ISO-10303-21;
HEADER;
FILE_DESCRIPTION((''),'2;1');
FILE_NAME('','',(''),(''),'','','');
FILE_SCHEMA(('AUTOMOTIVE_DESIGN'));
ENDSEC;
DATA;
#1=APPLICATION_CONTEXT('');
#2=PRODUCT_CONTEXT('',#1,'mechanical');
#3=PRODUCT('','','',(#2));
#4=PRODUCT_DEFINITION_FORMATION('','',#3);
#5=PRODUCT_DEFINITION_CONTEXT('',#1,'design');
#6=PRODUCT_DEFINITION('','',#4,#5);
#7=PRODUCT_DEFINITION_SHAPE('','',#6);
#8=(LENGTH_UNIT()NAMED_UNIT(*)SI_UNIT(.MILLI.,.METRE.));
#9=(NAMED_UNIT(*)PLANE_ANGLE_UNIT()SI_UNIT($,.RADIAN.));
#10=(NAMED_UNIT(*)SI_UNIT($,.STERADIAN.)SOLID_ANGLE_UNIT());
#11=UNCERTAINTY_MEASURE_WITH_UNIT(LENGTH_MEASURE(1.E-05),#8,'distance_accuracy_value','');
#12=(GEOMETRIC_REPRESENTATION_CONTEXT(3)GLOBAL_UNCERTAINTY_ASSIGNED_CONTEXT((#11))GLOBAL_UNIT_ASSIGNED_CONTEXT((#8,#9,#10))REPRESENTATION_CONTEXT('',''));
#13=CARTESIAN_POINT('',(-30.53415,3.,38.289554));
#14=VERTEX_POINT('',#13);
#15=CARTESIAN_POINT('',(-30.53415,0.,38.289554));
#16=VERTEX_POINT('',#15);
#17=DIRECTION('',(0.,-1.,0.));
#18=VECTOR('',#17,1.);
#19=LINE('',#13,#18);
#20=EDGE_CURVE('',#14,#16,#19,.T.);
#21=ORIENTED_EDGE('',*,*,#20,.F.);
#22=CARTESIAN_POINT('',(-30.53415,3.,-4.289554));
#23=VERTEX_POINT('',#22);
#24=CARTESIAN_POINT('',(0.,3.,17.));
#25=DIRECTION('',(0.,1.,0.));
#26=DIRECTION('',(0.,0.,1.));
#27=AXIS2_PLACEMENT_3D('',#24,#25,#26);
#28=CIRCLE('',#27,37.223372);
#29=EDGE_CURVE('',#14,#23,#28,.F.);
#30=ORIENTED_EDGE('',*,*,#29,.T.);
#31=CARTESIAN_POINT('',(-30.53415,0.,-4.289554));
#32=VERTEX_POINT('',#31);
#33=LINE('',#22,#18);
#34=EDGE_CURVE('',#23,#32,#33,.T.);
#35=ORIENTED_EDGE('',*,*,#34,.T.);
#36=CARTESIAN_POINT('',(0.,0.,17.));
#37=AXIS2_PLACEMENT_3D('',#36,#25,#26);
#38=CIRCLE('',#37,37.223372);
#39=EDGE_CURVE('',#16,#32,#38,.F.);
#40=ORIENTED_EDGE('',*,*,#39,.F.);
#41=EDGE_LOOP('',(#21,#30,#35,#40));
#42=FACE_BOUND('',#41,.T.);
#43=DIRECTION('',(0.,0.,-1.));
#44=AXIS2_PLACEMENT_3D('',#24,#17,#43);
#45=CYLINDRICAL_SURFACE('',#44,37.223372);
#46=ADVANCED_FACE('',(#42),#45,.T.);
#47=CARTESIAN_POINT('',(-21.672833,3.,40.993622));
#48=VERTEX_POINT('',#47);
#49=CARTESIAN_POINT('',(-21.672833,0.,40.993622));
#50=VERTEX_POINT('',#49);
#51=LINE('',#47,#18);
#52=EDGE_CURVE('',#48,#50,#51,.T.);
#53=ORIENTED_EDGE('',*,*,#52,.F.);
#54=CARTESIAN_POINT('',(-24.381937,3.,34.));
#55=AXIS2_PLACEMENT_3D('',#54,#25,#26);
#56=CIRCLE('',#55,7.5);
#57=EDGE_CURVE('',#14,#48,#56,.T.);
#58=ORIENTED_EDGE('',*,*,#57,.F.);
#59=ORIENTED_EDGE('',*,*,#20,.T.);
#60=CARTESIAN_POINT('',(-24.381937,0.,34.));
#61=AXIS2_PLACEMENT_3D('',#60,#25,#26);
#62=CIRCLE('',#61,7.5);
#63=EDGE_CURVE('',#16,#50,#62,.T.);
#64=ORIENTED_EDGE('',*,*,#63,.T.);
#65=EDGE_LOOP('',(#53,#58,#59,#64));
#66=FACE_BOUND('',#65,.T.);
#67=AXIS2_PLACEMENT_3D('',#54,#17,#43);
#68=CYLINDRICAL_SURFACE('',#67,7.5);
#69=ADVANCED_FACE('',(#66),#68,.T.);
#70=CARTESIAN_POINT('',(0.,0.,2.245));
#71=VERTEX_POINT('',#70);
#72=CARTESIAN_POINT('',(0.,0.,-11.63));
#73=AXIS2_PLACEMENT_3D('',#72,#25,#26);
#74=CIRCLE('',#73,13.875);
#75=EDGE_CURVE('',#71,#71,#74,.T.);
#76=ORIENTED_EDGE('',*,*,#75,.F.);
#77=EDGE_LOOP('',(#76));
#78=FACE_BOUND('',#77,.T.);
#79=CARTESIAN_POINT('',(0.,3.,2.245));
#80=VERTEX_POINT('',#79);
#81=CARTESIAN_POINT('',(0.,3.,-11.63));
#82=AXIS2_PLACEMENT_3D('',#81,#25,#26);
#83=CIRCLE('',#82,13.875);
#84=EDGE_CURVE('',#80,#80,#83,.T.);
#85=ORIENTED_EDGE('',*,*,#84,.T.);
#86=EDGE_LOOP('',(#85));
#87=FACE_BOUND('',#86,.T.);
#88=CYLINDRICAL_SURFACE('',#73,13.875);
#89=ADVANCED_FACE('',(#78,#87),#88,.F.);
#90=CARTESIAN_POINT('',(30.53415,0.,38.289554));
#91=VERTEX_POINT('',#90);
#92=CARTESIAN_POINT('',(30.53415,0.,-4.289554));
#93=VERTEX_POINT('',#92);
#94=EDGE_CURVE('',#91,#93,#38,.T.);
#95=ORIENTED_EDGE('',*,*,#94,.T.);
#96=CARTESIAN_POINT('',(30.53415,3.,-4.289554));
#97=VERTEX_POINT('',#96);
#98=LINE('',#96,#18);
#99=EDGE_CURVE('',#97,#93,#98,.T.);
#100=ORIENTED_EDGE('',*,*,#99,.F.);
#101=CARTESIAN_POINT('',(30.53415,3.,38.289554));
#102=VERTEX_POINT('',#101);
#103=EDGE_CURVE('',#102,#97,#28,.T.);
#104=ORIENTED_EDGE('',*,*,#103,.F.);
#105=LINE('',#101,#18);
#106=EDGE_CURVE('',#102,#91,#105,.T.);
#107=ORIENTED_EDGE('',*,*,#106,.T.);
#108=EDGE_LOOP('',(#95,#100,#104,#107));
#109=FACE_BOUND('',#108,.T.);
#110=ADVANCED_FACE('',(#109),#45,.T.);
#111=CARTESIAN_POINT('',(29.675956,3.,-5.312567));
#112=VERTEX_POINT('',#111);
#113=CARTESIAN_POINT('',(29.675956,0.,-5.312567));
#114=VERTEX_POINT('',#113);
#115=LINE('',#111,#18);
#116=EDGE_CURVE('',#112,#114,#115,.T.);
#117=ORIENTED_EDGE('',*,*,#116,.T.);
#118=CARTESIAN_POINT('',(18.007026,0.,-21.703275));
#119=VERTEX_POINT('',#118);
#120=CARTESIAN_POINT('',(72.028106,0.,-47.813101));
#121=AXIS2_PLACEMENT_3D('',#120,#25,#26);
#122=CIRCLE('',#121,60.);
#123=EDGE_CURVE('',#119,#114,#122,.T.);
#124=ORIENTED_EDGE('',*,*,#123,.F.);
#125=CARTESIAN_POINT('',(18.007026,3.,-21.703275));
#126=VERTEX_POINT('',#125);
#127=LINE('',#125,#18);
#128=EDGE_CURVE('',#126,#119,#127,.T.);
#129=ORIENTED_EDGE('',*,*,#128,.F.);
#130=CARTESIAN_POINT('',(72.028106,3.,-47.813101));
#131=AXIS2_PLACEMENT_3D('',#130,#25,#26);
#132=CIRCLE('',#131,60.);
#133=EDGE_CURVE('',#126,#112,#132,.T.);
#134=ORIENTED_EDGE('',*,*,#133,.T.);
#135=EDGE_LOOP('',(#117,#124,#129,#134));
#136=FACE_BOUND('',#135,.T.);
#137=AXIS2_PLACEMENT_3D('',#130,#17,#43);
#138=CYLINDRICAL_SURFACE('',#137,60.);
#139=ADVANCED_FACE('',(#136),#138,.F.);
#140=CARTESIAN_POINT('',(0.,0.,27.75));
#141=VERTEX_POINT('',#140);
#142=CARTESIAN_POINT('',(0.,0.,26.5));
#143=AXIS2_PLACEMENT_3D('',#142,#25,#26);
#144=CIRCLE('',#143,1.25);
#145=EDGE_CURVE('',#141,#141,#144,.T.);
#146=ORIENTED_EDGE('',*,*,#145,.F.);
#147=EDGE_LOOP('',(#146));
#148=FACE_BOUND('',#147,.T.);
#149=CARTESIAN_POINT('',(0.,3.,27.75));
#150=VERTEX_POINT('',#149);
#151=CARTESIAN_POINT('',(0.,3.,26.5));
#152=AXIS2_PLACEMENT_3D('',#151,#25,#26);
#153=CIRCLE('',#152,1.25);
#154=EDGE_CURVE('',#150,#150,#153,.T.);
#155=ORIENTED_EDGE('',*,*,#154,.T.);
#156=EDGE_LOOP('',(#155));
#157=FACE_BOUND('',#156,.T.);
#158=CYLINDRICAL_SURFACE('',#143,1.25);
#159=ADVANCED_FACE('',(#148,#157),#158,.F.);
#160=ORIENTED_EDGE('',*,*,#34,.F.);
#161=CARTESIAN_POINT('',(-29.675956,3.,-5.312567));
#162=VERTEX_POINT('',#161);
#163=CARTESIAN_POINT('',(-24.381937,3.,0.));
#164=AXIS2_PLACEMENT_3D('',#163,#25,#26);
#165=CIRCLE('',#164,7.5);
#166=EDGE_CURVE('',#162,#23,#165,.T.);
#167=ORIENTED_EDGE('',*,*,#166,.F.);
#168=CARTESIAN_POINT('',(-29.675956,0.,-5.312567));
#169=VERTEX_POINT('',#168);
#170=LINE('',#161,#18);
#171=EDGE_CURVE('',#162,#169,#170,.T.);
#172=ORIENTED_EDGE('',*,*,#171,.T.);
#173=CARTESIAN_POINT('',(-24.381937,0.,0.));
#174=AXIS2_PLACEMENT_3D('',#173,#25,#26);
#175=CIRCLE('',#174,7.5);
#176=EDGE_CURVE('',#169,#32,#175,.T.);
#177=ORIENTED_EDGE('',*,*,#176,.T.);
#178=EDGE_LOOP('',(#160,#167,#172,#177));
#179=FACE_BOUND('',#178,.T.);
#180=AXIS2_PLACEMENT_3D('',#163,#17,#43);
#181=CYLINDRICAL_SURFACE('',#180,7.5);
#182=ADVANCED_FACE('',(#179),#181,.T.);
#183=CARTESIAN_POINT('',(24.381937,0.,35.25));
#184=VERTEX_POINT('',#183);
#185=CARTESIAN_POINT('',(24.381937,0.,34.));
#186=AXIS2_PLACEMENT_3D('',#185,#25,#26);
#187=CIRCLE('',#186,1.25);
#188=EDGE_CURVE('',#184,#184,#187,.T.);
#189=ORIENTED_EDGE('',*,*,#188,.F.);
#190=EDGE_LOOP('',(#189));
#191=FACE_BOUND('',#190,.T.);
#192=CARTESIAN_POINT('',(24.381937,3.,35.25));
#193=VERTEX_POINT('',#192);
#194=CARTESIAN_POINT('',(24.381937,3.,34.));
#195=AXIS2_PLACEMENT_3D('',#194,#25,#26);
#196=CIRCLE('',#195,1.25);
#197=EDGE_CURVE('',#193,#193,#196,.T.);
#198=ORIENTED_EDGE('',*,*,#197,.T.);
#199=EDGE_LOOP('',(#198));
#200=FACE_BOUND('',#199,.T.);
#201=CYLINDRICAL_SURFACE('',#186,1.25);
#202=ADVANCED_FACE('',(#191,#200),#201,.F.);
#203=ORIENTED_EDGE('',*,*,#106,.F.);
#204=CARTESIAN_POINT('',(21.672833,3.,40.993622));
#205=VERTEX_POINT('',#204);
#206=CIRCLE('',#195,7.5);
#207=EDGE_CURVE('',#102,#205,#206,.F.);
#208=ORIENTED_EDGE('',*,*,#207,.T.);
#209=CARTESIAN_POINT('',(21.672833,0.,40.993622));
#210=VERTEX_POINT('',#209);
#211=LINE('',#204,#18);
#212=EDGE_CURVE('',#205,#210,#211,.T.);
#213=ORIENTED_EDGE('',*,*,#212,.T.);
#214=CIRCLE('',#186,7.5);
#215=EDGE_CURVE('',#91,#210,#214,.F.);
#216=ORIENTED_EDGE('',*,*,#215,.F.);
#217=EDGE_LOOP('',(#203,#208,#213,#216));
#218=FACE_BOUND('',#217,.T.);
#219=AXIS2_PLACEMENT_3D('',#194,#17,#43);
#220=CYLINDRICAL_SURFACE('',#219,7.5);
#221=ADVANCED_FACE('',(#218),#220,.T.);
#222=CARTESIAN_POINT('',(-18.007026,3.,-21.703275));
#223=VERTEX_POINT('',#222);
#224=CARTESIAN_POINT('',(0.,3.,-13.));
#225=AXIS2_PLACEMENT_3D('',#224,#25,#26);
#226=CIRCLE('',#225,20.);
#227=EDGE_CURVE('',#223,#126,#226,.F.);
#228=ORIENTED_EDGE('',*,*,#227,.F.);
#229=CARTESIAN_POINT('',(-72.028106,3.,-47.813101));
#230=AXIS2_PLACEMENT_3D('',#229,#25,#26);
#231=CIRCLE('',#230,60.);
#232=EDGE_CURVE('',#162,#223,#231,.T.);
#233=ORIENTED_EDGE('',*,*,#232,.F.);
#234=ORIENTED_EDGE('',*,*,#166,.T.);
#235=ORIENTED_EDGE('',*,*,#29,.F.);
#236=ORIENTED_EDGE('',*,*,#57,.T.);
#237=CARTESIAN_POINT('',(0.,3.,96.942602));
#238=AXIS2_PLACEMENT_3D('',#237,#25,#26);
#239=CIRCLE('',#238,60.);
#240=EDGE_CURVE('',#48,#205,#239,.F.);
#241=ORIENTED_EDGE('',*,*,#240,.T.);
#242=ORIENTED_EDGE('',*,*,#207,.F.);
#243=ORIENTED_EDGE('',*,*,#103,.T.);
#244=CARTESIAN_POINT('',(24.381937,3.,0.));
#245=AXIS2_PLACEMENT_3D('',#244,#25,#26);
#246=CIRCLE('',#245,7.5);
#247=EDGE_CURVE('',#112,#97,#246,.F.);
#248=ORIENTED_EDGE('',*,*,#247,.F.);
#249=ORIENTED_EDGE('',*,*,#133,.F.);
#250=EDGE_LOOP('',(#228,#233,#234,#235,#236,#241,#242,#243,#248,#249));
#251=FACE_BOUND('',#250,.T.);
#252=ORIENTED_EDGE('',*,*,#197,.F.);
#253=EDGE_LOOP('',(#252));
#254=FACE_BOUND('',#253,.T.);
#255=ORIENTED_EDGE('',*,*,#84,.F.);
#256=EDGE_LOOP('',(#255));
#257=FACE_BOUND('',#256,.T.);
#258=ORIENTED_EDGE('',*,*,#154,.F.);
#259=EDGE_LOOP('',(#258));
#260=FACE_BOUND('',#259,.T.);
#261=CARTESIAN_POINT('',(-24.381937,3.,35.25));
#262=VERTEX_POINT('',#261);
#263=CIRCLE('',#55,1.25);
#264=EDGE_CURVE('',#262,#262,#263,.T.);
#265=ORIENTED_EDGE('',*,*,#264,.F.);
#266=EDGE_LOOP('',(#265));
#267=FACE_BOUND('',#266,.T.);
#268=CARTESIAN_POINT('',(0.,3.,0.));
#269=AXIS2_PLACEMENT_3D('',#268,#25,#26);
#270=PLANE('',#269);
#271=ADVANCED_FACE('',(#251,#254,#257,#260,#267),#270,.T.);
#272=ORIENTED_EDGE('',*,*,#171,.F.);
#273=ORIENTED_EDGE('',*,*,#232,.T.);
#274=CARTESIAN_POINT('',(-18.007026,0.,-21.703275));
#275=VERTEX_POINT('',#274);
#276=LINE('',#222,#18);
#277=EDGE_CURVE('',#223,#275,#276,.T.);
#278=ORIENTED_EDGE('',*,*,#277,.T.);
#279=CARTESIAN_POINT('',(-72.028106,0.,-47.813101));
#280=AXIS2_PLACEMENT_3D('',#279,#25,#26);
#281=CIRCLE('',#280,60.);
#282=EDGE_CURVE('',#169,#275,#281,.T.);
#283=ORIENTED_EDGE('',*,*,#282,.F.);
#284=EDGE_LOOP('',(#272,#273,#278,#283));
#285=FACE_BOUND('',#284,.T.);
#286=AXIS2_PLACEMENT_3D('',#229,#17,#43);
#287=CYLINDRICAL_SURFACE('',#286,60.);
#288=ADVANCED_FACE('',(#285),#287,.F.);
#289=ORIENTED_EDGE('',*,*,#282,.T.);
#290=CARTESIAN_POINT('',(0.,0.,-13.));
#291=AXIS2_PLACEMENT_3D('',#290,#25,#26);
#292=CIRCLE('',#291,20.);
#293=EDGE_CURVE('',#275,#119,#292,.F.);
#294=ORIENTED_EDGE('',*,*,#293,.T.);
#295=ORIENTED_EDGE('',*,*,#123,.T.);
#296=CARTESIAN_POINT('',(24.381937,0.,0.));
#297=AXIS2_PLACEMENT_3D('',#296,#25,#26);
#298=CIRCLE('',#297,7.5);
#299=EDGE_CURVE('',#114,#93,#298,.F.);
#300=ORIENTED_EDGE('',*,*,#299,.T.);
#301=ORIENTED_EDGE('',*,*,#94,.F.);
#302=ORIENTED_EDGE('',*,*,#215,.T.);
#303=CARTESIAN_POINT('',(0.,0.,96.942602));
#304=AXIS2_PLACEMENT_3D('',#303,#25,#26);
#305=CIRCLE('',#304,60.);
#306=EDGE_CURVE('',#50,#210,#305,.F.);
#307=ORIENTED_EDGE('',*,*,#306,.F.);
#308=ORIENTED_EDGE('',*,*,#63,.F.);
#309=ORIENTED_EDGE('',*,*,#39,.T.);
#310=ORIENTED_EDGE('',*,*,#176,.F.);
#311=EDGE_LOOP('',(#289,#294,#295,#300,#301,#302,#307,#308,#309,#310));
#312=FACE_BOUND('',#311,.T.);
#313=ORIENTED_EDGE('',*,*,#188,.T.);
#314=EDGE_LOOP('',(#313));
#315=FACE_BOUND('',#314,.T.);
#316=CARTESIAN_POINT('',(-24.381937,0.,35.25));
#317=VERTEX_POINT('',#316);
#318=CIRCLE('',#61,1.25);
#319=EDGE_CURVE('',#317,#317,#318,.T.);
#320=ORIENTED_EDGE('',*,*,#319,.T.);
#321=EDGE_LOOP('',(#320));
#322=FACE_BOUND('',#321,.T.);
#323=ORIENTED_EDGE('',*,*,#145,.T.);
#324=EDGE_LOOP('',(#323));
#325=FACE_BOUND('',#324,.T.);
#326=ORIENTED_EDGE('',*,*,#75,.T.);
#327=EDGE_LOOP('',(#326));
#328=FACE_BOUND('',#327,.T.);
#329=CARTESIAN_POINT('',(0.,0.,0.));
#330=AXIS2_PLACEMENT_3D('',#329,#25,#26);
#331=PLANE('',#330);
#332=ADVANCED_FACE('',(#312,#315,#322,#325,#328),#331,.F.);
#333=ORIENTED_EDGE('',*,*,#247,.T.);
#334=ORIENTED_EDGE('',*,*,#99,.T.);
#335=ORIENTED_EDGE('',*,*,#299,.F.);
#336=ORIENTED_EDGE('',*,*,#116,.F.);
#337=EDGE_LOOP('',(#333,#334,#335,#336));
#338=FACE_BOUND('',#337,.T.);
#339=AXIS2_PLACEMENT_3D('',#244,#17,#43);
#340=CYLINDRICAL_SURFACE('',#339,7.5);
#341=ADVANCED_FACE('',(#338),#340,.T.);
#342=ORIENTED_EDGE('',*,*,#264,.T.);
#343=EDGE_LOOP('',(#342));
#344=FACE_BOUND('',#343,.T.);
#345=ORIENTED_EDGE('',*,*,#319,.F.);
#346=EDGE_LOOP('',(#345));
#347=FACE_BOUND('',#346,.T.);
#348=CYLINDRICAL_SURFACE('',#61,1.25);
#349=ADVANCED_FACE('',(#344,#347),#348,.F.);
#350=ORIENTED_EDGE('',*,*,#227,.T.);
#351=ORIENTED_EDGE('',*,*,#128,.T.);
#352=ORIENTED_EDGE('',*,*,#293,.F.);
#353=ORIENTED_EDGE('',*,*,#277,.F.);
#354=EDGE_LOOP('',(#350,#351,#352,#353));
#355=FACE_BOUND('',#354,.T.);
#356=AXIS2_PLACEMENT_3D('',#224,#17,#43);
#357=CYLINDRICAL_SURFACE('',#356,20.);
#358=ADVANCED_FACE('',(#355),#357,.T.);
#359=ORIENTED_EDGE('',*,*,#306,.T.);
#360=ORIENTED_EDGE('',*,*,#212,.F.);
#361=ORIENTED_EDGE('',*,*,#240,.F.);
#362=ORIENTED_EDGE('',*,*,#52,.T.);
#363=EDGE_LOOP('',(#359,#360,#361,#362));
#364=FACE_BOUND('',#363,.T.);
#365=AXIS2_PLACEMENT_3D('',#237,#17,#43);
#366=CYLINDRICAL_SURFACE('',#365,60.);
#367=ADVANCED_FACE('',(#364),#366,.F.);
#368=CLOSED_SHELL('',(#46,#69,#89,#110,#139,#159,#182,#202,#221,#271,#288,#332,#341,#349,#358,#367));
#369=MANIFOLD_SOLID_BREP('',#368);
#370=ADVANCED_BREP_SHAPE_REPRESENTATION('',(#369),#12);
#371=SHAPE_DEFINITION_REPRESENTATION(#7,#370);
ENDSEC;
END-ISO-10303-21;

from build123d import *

# Parameters (mm, degrees)
BOSS_EXTRUDE1_DEPTH = 3
SKETCH2_R           = 1.25
SKETCH2_R_2         = 13.875
CUT_EXTRUDE1_DEPTH  = 56.828571826


with BuildPart() as part:
    # Sketch1 → Boss-Extrude1 (new body)
    with BuildSketch(Plane(origin=(0, 0, 0), x_dir=(1, 0, 0), z_dir=(0, 1, 0))):
        with BuildLine():
            ThreePointArc((-30.534150334, -38.289553671), (-37.223372122, -17), (-30.534150334, 4.289553671))
            ThreePointArc((-30.534150334, 4.289553671), (-30.127865646, 4.820197467), (-29.675955722, 5.312566746))
            ThreePointArc((-29.675955722, 5.312566746), (-23.149545378, 13.015308608), (-18.007026439, 21.703275178))
            ThreePointArc((-18.007026439, 21.703275178), (0, 33), (18.007026439, 21.703275178))
            ThreePointArc((18.007026439, 21.703275178), (23.149545378, 13.015308608), (29.675955722, 5.312566746))
            ThreePointArc((29.675955722, 5.312566746), (30.127865646, 4.820197467), (30.534150334, 4.289553671))
            ThreePointArc((30.534150334, 4.289553671), (37.223372122, -17), (30.534150334, -38.289553671))
            ThreePointArc((30.534150334, -38.289553671), (26.570942981, -41.173440783), (21.67283286, -40.993622447))
            ThreePointArc((21.67283286, -40.993622447), (0, -36.942602025), (-21.67283286, -40.993622447))
            ThreePointArc((-21.67283286, -40.993622447), (-26.570942981, -41.173440783), (-30.534150334, -38.289553671))
        make_face()
    extrude(amount=BOSS_EXTRUDE1_DEPTH)

    # Sketch2 → Cut-Extrude1 (cut, through all)
    with BuildSketch(Plane(origin=(0, 3, 0), x_dir=(1, 0, 0), z_dir=(0, 1, 0))):
        with Locations(Location((-24.381936968, -34, 0), (0, 0, 270))):
            Circle(SKETCH2_R)
        with Locations(Location((24.381936968, -34, 0), (0, 0, 270))):
            Circle(SKETCH2_R)
        with Locations(Location((0, -26.5, 0), (0, 0, 270))):
            Circle(SKETCH2_R)
        with Locations(Location((0, 11.63, 0), (0, 0, 270))):
            Circle(SKETCH2_R_2)
    extrude(amount=-CUT_EXTRUDE1_DEPTH, mode=Mode.SUBTRACT)


solid = part.part
